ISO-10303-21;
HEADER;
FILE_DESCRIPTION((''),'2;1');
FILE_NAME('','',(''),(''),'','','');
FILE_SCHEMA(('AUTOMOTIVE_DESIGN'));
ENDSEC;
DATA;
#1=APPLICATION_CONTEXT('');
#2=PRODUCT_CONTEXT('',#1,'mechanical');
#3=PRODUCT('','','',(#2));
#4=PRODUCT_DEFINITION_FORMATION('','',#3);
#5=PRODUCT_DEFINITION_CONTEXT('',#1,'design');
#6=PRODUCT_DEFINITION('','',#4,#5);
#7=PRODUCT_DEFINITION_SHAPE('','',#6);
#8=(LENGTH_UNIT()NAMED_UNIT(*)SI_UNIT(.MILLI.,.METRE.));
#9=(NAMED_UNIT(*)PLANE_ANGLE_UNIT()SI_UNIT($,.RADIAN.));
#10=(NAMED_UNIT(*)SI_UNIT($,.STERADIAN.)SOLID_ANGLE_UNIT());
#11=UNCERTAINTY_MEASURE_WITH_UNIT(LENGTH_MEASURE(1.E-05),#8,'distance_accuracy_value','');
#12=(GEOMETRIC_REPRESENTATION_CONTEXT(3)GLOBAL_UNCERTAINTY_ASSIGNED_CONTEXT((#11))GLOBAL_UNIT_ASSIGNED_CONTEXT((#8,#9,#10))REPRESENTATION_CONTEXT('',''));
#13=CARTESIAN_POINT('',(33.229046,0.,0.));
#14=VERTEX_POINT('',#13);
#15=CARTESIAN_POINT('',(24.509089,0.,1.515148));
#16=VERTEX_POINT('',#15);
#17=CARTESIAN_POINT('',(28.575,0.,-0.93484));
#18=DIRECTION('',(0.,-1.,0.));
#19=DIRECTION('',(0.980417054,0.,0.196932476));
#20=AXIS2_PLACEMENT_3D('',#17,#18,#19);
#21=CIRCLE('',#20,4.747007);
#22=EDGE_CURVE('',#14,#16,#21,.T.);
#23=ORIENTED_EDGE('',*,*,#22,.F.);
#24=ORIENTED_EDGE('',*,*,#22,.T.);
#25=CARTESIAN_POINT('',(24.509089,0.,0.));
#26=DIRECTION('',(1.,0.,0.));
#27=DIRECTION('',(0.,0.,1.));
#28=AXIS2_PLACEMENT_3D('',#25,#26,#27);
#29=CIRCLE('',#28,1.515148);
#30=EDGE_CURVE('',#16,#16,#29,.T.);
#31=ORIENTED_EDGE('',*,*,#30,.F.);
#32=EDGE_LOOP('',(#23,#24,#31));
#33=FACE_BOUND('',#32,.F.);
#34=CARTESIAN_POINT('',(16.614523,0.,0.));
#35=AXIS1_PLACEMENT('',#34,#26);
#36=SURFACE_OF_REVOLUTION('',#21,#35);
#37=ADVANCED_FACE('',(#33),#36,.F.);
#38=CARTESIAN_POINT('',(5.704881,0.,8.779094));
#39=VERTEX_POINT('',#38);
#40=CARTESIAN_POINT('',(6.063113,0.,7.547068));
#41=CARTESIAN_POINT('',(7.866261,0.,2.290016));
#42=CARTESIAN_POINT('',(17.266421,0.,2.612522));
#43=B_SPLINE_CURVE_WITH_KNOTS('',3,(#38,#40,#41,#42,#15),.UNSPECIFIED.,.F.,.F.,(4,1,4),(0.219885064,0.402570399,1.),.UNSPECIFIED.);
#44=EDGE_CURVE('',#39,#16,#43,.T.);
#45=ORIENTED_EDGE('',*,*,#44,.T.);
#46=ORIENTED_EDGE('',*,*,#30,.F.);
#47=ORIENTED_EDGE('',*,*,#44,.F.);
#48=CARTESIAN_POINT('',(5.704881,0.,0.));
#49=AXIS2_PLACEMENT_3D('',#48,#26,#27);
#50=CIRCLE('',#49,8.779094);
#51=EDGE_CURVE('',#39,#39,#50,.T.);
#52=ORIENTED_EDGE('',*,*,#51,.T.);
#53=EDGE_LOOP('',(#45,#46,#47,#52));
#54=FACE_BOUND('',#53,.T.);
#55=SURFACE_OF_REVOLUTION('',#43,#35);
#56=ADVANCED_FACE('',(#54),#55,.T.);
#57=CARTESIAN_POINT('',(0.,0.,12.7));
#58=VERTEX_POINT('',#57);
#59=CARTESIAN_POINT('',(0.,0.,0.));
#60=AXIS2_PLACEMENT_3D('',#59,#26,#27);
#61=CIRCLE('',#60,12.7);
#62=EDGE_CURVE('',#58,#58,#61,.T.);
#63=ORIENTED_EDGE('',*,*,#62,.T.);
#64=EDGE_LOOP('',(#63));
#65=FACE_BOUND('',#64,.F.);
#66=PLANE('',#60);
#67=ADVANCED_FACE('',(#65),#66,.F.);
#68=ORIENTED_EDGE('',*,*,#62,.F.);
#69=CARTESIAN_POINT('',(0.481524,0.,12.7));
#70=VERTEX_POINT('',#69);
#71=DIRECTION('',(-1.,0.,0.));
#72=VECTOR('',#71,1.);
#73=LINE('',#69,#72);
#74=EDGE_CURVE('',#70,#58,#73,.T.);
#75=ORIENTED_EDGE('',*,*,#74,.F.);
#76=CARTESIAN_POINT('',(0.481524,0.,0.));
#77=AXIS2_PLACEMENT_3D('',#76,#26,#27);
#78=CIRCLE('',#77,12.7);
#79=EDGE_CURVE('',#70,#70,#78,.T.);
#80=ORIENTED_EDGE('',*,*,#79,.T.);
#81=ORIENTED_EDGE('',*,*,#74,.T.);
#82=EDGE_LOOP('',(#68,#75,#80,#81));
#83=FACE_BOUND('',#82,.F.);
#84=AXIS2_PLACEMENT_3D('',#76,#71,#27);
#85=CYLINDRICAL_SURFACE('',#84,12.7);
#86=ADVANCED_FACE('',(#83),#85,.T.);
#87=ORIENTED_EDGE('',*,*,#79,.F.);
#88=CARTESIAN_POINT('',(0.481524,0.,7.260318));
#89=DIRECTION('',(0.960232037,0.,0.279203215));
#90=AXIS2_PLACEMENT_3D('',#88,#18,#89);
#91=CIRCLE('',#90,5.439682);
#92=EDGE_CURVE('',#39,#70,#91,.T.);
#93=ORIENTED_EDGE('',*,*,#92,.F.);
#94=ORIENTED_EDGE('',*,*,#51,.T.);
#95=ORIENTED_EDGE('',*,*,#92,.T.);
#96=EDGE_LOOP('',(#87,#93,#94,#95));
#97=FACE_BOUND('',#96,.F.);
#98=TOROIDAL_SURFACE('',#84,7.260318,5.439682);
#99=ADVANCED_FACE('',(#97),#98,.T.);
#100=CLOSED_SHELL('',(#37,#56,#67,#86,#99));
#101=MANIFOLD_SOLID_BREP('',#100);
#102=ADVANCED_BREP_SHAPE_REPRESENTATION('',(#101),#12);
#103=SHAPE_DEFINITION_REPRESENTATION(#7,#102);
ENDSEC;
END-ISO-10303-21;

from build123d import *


with BuildPart() as f1:
    # F0 (on Front) → F1 (revolve)
    with BuildSketch(Plane.XZ):
        with BuildLine():
            Line((0.4815238975, 12.7), (0, 12.7))
            Line((0, 12.7), (0, 0))
            Line((0, 0), (33.229046231, 0))
            ThreePointArc((33.229046231, 0), (29.3876461887, 3.7420906274), (24.509088866, 1.5151476562))
            add(Edge.make_bspline(
                [(5.7048812333, 8.7790943943), (6.0631130567, 7.5470682013), (7.8662608937, 2.2900161346), (17.2664207545, 2.6125218728), (24.509088866, 1.5151476562)],
                knots=[0.2198850643, 0.2198850643, 0.2198850643, 0.2198850643, 0.4025703993, 1, 1, 1, 1], degree=3))
            ThreePointArc((5.7048812333, 8.7790943943), (3.7471387947, 11.610708848), (0.4815238975, 12.7))
        make_face()
    revolve(axis=Axis((16.6145231155, 0, 0), (1, 0, 0)))


solid = f1.part
